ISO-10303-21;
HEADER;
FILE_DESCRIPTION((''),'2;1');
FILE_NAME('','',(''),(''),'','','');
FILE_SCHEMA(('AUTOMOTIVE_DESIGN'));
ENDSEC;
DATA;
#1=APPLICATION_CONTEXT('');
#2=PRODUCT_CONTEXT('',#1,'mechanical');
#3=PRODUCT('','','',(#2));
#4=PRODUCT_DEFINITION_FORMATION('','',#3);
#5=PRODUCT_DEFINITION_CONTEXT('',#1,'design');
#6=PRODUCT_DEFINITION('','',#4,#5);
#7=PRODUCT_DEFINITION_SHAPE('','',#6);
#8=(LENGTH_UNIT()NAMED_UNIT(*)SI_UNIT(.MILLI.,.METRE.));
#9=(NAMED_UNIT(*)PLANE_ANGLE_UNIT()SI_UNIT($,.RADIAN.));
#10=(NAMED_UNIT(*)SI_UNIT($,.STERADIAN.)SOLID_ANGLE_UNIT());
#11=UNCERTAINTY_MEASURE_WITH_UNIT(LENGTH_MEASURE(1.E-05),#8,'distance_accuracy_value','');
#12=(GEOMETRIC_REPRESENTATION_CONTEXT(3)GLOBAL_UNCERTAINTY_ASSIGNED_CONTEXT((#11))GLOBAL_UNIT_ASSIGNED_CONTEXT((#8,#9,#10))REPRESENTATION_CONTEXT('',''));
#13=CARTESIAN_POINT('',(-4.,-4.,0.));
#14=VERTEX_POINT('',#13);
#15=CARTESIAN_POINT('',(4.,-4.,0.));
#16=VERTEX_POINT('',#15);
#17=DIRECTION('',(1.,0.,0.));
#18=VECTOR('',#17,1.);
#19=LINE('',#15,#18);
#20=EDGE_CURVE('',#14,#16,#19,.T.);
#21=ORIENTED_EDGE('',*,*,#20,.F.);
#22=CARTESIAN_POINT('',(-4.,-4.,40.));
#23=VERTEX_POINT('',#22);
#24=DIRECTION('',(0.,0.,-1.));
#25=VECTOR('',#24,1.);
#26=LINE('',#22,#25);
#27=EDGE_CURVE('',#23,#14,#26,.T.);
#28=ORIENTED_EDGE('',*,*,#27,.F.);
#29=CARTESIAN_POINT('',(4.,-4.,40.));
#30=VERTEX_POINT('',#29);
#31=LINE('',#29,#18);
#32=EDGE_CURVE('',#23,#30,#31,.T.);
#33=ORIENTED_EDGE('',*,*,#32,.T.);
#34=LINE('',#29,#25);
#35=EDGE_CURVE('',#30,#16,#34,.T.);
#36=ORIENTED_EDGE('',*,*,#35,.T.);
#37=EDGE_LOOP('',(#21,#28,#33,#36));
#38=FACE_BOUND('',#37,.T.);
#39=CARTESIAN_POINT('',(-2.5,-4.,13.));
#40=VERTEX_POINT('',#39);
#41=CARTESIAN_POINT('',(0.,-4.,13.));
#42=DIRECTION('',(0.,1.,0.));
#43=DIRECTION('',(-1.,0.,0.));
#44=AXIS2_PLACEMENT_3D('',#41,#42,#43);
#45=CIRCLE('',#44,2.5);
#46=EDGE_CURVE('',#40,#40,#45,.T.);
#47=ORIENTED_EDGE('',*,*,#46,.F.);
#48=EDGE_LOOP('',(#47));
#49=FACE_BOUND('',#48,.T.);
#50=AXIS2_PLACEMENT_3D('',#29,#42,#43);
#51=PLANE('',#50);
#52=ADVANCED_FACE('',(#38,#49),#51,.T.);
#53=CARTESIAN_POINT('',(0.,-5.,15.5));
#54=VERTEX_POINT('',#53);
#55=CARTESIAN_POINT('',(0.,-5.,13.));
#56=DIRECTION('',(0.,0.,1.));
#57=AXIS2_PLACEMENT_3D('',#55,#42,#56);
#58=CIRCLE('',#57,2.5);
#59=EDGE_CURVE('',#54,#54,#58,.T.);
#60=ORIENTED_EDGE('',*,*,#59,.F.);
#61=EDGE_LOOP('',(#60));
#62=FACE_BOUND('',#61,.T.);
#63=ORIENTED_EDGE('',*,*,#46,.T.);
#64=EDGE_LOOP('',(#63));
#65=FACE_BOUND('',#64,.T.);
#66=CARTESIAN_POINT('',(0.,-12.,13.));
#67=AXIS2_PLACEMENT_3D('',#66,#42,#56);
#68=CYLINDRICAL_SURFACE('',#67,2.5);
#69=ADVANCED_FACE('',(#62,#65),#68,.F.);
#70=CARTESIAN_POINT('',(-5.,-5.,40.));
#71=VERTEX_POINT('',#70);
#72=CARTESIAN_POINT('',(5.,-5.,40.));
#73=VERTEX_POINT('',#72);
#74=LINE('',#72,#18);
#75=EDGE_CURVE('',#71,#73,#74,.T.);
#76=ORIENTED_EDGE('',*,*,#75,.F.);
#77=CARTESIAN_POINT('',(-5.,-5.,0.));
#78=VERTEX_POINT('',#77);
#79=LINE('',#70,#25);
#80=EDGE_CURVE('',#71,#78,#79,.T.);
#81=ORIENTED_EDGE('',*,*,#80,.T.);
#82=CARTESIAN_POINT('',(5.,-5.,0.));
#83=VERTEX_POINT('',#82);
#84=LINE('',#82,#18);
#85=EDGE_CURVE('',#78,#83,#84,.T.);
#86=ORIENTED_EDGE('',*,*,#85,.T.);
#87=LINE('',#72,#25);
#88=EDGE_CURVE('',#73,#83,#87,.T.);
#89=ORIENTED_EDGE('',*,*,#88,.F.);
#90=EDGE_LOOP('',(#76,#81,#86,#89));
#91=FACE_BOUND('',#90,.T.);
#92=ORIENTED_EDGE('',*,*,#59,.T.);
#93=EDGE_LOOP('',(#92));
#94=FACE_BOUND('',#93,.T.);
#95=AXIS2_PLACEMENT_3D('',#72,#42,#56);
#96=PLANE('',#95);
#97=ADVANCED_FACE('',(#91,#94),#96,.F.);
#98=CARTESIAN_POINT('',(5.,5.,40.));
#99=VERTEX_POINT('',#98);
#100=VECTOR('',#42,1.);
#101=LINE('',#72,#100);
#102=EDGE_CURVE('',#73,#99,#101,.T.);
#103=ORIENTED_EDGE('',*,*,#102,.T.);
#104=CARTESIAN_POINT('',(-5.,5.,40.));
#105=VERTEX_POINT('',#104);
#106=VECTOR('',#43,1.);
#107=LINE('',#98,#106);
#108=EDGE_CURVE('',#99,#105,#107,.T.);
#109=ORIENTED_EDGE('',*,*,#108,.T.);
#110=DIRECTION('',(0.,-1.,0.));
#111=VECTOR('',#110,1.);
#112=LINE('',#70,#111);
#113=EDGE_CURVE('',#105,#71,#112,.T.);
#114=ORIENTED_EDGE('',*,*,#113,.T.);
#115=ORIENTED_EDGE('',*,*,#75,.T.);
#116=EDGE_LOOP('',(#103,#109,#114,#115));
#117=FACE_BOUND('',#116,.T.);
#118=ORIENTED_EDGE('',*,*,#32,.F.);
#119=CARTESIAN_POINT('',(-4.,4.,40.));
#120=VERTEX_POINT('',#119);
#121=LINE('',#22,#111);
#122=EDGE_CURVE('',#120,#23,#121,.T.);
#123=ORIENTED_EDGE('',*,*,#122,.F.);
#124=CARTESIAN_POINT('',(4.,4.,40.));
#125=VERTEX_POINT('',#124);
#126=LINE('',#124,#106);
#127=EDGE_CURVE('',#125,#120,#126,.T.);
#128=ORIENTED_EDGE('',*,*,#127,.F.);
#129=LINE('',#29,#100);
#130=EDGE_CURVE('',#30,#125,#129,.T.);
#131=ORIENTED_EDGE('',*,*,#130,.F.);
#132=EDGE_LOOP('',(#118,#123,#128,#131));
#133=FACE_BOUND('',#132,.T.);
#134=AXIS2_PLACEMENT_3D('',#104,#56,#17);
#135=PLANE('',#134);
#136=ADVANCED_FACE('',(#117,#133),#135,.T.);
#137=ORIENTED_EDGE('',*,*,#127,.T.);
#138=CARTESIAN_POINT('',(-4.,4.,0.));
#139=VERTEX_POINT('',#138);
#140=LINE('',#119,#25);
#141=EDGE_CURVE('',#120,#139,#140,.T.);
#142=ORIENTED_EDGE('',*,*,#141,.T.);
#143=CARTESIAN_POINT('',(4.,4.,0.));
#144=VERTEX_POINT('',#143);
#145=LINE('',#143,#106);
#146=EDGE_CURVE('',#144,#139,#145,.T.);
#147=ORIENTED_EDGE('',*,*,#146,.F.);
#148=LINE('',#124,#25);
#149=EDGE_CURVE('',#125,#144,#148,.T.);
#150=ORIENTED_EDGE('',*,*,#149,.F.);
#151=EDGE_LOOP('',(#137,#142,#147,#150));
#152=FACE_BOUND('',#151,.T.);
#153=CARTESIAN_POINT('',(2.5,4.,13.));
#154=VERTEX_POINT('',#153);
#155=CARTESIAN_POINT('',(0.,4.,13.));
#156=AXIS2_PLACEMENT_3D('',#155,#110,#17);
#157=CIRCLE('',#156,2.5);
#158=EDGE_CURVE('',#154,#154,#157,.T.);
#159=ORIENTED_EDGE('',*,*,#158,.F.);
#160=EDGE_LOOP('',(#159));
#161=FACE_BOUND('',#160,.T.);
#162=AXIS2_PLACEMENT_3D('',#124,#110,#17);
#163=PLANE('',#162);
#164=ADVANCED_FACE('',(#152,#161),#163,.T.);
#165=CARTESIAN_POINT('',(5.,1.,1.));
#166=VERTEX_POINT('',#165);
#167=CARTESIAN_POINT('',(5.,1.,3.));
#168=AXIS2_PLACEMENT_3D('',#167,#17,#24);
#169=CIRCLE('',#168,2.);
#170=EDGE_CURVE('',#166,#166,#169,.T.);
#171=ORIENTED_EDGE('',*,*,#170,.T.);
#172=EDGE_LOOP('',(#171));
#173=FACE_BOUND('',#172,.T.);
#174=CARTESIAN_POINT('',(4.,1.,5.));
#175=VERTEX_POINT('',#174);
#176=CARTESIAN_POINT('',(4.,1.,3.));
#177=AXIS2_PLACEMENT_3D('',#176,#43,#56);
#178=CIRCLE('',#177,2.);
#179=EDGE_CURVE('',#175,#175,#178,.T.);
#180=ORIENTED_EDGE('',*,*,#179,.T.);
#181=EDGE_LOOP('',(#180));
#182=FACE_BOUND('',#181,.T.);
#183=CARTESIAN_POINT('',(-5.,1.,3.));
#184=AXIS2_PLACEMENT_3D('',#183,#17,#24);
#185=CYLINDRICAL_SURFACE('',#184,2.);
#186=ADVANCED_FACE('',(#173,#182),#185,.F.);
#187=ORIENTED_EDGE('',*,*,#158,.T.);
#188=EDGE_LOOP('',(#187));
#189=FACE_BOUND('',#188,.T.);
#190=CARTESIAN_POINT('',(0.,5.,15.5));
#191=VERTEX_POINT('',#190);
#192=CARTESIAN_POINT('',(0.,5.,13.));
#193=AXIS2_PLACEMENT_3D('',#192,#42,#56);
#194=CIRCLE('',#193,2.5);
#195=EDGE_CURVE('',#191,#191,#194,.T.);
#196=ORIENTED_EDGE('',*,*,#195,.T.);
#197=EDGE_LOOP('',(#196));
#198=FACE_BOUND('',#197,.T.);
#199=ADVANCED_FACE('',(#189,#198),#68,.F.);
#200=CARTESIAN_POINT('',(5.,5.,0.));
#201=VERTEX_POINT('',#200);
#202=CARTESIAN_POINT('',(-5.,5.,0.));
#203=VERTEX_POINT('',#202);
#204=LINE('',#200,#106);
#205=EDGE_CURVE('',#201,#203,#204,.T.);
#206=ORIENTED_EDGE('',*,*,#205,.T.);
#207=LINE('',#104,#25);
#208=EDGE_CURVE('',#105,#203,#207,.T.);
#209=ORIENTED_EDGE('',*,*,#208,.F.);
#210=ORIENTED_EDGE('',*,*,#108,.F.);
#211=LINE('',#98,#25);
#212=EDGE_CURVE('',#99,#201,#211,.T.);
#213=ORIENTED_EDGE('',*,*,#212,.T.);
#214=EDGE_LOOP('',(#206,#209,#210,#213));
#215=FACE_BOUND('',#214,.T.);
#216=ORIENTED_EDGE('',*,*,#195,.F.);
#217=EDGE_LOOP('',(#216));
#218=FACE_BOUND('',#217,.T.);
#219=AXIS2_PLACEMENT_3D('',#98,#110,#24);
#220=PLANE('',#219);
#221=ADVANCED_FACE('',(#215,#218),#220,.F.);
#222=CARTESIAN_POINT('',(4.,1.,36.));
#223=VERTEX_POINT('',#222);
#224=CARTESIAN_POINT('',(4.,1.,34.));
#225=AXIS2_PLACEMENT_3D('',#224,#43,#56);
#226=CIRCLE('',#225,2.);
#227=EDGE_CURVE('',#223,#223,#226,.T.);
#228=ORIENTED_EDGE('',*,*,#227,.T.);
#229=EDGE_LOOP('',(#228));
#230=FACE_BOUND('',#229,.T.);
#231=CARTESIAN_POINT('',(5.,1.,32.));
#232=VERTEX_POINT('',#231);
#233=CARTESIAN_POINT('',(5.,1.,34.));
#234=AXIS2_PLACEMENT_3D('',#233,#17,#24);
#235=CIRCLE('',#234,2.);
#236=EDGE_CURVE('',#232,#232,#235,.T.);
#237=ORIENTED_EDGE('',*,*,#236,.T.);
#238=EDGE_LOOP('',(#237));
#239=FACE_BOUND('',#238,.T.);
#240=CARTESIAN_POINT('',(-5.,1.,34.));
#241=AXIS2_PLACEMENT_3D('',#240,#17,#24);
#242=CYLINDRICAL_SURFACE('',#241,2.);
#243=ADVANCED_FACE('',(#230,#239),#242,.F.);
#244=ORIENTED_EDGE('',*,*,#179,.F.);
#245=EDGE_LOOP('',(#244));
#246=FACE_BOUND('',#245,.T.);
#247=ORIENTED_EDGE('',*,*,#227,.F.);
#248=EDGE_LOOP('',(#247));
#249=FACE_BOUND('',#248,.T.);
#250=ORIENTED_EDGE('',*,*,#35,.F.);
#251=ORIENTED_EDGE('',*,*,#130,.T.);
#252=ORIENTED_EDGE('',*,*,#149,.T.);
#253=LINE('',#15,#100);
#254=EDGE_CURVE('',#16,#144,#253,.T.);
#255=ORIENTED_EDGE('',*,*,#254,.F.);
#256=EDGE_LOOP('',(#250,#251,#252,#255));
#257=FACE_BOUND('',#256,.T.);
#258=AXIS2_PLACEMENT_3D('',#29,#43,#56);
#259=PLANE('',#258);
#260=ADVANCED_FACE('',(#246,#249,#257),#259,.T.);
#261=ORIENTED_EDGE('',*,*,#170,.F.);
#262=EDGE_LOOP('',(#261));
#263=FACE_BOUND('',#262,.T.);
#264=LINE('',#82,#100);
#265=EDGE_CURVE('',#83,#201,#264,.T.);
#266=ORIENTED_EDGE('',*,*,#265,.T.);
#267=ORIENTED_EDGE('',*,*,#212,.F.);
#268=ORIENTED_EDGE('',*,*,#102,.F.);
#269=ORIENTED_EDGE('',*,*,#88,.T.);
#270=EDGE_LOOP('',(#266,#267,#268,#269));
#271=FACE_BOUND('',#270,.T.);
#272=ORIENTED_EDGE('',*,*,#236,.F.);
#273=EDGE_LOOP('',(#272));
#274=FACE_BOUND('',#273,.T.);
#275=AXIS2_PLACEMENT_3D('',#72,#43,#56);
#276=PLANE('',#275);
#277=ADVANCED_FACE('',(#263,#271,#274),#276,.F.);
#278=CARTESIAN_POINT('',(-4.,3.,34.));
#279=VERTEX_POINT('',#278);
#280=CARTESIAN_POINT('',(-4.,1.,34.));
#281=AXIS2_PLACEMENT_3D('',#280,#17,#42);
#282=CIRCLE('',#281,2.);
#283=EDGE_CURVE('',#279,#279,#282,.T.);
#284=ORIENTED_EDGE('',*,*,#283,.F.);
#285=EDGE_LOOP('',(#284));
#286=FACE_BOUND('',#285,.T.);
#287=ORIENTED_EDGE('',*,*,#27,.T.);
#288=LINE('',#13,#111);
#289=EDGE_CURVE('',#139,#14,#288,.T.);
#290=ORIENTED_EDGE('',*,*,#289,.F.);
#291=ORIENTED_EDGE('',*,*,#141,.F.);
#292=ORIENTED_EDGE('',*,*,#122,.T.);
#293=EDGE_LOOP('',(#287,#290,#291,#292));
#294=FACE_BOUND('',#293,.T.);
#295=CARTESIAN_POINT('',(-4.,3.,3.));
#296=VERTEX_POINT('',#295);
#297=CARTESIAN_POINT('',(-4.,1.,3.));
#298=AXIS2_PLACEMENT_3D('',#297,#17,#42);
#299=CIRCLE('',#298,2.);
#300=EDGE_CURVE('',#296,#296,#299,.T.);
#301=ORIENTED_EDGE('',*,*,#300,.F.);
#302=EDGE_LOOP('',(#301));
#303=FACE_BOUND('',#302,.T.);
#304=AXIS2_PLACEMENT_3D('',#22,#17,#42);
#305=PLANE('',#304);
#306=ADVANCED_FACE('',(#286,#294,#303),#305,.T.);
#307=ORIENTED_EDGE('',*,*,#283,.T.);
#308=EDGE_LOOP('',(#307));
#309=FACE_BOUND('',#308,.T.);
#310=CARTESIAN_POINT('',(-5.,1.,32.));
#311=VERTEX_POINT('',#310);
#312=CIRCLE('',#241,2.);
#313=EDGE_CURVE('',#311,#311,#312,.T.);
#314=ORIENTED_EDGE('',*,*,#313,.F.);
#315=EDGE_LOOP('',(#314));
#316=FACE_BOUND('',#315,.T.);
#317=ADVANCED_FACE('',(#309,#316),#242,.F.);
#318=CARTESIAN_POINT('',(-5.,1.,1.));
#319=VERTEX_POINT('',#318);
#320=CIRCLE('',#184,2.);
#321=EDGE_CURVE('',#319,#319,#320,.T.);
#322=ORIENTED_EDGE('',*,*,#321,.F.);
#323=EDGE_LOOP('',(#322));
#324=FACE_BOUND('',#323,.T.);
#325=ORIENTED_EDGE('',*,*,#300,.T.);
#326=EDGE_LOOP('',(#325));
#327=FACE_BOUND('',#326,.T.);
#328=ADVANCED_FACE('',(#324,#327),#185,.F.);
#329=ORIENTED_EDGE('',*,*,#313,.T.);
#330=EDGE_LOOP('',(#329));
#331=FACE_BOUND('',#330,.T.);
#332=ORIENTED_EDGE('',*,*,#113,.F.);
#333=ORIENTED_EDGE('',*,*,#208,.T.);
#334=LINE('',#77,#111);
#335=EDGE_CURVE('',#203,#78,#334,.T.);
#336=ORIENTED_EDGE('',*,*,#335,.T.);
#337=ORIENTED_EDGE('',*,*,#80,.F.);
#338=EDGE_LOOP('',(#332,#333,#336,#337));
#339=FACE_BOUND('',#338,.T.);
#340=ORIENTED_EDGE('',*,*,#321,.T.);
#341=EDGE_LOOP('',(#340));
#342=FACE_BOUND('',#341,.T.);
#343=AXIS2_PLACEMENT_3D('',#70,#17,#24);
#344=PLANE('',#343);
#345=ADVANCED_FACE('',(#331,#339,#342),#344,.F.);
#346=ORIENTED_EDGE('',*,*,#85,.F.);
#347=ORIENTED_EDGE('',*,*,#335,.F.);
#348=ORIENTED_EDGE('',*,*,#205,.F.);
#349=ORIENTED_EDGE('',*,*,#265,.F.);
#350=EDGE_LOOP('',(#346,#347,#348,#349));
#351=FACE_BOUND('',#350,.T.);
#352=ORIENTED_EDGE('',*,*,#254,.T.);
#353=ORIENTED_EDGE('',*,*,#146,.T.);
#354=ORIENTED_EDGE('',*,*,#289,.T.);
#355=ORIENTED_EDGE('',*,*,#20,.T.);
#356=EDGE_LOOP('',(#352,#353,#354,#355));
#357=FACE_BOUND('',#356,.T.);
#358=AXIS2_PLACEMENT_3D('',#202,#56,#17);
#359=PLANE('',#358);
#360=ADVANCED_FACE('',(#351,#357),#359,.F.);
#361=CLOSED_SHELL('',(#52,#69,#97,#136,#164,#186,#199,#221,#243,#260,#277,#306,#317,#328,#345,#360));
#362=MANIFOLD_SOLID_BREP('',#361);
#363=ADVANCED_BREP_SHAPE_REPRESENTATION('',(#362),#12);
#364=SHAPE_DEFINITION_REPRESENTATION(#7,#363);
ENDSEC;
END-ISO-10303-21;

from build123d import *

# Parameters (mm, degrees)
SKIZZE1_W                       = 10
SKIZZE1_H                       = 10
SKIZZE1_W_2                     = 8
SKIZZE1_H_2                     = 8
AUFSATZ_LINEAR_AUSTRAGEN1_DEPTH = 40
SKIZZE2_R                       = 2
SCHNITT_LINEAR_AUSTRAGEN1_DEPTH = 42.533119315
SKIZZE3_R                       = 2.5
SCHNITT_LINEAR_AUSTRAGEN2_DEPTH = 17


with BuildPart() as part:
    # Skizze1 → Aufsatz-Linear austragen1 (new body)
    with BuildSketch(Plane.XY):
        Rectangle(SKIZZE1_W, SKIZZE1_H)
        Rectangle(SKIZZE1_W_2, SKIZZE1_H_2, mode=Mode.SUBTRACT)
    extrude(amount=AUFSATZ_LINEAR_AUSTRAGEN1_DEPTH)

    # Skizze2 → Schnitt-Linear austragen1 (cut, through all)
    with BuildSketch(Plane(origin=(5, 0, 0), x_dir=(0, 0, -1), z_dir=(1, 0, 0))):
        with Locations((-34, 1)):
            Circle(SKIZZE2_R)
        with Locations((-3, 1)):
            Circle(SKIZZE2_R)
    extrude(amount=-SCHNITT_LINEAR_AUSTRAGEN1_DEPTH, mode=Mode.SUBTRACT)

    # Skizze3 → Schnitt-Linear austragen2 (cut)
    with BuildSketch(Plane(origin=(0, 5, 0), x_dir=(1, 0, 0), z_dir=(0, 1, 0))):
        with Locations(Location((0, -13, 0), (0, 0, 270))):
            Circle(SKIZZE3_R)
    extrude(amount=-SCHNITT_LINEAR_AUSTRAGEN2_DEPTH, mode=Mode.SUBTRACT)


solid = part.part
